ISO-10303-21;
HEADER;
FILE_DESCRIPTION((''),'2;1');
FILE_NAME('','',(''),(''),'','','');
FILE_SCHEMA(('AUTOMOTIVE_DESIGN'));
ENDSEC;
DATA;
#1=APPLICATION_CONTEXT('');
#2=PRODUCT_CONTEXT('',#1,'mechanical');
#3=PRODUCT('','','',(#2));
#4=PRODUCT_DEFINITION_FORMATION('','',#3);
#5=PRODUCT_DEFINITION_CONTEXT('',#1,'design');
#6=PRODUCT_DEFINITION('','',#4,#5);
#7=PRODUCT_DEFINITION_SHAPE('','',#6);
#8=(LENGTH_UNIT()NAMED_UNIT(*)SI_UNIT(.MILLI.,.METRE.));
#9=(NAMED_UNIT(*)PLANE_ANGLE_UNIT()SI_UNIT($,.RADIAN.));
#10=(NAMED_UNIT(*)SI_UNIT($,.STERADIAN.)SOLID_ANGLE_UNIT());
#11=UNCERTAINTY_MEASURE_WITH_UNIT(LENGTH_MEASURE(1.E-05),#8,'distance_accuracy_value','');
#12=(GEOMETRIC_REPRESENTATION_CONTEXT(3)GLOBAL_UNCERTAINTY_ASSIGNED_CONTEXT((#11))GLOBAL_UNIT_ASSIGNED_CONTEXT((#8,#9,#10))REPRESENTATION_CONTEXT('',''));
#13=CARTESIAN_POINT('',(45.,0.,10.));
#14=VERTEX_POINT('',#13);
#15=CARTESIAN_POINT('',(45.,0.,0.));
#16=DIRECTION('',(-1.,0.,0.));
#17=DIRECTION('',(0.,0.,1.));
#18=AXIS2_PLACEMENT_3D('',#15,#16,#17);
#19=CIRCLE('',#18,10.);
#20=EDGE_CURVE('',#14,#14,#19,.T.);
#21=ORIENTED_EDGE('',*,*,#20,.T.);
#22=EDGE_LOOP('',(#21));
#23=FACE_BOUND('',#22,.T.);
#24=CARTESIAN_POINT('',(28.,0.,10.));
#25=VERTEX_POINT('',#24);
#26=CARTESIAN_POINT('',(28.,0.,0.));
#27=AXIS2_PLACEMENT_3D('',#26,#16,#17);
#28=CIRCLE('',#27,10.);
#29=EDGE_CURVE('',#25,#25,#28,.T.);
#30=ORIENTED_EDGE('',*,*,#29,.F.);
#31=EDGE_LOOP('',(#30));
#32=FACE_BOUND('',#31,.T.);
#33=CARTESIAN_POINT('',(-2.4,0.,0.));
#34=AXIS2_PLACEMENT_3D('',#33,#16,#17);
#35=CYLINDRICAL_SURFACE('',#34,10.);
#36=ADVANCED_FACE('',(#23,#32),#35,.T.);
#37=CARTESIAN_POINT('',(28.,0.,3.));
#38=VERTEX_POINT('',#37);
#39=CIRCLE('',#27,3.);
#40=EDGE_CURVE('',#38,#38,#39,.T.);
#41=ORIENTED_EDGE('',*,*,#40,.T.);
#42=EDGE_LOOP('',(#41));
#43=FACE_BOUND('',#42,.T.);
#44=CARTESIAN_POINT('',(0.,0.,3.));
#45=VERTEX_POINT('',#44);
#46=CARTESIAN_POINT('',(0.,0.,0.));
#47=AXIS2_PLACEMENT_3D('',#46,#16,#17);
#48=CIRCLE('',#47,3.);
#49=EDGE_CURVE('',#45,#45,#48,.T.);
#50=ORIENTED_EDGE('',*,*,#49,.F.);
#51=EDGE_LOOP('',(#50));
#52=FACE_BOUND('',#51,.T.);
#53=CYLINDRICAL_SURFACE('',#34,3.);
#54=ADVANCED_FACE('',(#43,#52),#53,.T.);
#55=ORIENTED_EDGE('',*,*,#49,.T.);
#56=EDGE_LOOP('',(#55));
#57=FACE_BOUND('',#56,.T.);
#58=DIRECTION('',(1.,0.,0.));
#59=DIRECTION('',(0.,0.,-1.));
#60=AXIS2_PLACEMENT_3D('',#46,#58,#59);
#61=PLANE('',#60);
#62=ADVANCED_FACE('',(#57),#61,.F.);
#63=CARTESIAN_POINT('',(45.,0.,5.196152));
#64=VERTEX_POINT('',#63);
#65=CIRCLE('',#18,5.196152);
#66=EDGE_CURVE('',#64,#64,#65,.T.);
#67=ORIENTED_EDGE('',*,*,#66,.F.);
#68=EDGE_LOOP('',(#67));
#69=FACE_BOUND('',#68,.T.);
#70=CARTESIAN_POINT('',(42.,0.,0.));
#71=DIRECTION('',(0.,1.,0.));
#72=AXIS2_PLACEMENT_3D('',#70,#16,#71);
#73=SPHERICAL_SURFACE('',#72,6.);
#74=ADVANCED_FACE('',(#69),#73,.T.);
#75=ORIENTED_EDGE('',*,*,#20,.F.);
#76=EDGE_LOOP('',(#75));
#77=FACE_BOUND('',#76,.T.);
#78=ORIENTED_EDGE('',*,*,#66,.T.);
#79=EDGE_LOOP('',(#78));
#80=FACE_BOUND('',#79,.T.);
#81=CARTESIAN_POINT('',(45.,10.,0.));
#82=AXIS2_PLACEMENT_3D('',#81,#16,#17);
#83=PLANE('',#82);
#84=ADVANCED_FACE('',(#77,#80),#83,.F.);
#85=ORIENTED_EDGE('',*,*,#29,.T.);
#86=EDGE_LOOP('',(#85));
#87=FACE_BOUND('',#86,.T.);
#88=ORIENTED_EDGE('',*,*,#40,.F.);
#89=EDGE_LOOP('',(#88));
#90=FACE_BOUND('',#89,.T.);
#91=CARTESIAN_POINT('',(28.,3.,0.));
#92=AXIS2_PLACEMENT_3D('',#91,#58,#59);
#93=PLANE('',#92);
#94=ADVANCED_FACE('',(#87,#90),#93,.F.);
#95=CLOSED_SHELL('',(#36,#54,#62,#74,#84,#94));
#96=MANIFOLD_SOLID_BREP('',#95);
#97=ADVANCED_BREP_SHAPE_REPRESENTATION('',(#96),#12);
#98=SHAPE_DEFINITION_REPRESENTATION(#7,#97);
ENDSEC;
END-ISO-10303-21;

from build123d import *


with BuildPart() as part:
    # Sketch1 → Revolve1 (revolve)
    with BuildSketch(Plane.XY):
        with BuildLine():
            Line((0, 0), (48, 0))
            ThreePointArc((48, 0), (47.196152423, 3), (45, 5.196152423))
            Line((45, 5.196152423), (45, 10))
            Line((45, 10), (28, 10))
            Line((28, 10), (28, 3))
            Line((28, 3), (0, 3))
            Line((0, 3), (0, 0))
        make_face()
    revolve(axis=Axis((-2.4, 0, 0), (1, 0, 0)))


solid = part.part
